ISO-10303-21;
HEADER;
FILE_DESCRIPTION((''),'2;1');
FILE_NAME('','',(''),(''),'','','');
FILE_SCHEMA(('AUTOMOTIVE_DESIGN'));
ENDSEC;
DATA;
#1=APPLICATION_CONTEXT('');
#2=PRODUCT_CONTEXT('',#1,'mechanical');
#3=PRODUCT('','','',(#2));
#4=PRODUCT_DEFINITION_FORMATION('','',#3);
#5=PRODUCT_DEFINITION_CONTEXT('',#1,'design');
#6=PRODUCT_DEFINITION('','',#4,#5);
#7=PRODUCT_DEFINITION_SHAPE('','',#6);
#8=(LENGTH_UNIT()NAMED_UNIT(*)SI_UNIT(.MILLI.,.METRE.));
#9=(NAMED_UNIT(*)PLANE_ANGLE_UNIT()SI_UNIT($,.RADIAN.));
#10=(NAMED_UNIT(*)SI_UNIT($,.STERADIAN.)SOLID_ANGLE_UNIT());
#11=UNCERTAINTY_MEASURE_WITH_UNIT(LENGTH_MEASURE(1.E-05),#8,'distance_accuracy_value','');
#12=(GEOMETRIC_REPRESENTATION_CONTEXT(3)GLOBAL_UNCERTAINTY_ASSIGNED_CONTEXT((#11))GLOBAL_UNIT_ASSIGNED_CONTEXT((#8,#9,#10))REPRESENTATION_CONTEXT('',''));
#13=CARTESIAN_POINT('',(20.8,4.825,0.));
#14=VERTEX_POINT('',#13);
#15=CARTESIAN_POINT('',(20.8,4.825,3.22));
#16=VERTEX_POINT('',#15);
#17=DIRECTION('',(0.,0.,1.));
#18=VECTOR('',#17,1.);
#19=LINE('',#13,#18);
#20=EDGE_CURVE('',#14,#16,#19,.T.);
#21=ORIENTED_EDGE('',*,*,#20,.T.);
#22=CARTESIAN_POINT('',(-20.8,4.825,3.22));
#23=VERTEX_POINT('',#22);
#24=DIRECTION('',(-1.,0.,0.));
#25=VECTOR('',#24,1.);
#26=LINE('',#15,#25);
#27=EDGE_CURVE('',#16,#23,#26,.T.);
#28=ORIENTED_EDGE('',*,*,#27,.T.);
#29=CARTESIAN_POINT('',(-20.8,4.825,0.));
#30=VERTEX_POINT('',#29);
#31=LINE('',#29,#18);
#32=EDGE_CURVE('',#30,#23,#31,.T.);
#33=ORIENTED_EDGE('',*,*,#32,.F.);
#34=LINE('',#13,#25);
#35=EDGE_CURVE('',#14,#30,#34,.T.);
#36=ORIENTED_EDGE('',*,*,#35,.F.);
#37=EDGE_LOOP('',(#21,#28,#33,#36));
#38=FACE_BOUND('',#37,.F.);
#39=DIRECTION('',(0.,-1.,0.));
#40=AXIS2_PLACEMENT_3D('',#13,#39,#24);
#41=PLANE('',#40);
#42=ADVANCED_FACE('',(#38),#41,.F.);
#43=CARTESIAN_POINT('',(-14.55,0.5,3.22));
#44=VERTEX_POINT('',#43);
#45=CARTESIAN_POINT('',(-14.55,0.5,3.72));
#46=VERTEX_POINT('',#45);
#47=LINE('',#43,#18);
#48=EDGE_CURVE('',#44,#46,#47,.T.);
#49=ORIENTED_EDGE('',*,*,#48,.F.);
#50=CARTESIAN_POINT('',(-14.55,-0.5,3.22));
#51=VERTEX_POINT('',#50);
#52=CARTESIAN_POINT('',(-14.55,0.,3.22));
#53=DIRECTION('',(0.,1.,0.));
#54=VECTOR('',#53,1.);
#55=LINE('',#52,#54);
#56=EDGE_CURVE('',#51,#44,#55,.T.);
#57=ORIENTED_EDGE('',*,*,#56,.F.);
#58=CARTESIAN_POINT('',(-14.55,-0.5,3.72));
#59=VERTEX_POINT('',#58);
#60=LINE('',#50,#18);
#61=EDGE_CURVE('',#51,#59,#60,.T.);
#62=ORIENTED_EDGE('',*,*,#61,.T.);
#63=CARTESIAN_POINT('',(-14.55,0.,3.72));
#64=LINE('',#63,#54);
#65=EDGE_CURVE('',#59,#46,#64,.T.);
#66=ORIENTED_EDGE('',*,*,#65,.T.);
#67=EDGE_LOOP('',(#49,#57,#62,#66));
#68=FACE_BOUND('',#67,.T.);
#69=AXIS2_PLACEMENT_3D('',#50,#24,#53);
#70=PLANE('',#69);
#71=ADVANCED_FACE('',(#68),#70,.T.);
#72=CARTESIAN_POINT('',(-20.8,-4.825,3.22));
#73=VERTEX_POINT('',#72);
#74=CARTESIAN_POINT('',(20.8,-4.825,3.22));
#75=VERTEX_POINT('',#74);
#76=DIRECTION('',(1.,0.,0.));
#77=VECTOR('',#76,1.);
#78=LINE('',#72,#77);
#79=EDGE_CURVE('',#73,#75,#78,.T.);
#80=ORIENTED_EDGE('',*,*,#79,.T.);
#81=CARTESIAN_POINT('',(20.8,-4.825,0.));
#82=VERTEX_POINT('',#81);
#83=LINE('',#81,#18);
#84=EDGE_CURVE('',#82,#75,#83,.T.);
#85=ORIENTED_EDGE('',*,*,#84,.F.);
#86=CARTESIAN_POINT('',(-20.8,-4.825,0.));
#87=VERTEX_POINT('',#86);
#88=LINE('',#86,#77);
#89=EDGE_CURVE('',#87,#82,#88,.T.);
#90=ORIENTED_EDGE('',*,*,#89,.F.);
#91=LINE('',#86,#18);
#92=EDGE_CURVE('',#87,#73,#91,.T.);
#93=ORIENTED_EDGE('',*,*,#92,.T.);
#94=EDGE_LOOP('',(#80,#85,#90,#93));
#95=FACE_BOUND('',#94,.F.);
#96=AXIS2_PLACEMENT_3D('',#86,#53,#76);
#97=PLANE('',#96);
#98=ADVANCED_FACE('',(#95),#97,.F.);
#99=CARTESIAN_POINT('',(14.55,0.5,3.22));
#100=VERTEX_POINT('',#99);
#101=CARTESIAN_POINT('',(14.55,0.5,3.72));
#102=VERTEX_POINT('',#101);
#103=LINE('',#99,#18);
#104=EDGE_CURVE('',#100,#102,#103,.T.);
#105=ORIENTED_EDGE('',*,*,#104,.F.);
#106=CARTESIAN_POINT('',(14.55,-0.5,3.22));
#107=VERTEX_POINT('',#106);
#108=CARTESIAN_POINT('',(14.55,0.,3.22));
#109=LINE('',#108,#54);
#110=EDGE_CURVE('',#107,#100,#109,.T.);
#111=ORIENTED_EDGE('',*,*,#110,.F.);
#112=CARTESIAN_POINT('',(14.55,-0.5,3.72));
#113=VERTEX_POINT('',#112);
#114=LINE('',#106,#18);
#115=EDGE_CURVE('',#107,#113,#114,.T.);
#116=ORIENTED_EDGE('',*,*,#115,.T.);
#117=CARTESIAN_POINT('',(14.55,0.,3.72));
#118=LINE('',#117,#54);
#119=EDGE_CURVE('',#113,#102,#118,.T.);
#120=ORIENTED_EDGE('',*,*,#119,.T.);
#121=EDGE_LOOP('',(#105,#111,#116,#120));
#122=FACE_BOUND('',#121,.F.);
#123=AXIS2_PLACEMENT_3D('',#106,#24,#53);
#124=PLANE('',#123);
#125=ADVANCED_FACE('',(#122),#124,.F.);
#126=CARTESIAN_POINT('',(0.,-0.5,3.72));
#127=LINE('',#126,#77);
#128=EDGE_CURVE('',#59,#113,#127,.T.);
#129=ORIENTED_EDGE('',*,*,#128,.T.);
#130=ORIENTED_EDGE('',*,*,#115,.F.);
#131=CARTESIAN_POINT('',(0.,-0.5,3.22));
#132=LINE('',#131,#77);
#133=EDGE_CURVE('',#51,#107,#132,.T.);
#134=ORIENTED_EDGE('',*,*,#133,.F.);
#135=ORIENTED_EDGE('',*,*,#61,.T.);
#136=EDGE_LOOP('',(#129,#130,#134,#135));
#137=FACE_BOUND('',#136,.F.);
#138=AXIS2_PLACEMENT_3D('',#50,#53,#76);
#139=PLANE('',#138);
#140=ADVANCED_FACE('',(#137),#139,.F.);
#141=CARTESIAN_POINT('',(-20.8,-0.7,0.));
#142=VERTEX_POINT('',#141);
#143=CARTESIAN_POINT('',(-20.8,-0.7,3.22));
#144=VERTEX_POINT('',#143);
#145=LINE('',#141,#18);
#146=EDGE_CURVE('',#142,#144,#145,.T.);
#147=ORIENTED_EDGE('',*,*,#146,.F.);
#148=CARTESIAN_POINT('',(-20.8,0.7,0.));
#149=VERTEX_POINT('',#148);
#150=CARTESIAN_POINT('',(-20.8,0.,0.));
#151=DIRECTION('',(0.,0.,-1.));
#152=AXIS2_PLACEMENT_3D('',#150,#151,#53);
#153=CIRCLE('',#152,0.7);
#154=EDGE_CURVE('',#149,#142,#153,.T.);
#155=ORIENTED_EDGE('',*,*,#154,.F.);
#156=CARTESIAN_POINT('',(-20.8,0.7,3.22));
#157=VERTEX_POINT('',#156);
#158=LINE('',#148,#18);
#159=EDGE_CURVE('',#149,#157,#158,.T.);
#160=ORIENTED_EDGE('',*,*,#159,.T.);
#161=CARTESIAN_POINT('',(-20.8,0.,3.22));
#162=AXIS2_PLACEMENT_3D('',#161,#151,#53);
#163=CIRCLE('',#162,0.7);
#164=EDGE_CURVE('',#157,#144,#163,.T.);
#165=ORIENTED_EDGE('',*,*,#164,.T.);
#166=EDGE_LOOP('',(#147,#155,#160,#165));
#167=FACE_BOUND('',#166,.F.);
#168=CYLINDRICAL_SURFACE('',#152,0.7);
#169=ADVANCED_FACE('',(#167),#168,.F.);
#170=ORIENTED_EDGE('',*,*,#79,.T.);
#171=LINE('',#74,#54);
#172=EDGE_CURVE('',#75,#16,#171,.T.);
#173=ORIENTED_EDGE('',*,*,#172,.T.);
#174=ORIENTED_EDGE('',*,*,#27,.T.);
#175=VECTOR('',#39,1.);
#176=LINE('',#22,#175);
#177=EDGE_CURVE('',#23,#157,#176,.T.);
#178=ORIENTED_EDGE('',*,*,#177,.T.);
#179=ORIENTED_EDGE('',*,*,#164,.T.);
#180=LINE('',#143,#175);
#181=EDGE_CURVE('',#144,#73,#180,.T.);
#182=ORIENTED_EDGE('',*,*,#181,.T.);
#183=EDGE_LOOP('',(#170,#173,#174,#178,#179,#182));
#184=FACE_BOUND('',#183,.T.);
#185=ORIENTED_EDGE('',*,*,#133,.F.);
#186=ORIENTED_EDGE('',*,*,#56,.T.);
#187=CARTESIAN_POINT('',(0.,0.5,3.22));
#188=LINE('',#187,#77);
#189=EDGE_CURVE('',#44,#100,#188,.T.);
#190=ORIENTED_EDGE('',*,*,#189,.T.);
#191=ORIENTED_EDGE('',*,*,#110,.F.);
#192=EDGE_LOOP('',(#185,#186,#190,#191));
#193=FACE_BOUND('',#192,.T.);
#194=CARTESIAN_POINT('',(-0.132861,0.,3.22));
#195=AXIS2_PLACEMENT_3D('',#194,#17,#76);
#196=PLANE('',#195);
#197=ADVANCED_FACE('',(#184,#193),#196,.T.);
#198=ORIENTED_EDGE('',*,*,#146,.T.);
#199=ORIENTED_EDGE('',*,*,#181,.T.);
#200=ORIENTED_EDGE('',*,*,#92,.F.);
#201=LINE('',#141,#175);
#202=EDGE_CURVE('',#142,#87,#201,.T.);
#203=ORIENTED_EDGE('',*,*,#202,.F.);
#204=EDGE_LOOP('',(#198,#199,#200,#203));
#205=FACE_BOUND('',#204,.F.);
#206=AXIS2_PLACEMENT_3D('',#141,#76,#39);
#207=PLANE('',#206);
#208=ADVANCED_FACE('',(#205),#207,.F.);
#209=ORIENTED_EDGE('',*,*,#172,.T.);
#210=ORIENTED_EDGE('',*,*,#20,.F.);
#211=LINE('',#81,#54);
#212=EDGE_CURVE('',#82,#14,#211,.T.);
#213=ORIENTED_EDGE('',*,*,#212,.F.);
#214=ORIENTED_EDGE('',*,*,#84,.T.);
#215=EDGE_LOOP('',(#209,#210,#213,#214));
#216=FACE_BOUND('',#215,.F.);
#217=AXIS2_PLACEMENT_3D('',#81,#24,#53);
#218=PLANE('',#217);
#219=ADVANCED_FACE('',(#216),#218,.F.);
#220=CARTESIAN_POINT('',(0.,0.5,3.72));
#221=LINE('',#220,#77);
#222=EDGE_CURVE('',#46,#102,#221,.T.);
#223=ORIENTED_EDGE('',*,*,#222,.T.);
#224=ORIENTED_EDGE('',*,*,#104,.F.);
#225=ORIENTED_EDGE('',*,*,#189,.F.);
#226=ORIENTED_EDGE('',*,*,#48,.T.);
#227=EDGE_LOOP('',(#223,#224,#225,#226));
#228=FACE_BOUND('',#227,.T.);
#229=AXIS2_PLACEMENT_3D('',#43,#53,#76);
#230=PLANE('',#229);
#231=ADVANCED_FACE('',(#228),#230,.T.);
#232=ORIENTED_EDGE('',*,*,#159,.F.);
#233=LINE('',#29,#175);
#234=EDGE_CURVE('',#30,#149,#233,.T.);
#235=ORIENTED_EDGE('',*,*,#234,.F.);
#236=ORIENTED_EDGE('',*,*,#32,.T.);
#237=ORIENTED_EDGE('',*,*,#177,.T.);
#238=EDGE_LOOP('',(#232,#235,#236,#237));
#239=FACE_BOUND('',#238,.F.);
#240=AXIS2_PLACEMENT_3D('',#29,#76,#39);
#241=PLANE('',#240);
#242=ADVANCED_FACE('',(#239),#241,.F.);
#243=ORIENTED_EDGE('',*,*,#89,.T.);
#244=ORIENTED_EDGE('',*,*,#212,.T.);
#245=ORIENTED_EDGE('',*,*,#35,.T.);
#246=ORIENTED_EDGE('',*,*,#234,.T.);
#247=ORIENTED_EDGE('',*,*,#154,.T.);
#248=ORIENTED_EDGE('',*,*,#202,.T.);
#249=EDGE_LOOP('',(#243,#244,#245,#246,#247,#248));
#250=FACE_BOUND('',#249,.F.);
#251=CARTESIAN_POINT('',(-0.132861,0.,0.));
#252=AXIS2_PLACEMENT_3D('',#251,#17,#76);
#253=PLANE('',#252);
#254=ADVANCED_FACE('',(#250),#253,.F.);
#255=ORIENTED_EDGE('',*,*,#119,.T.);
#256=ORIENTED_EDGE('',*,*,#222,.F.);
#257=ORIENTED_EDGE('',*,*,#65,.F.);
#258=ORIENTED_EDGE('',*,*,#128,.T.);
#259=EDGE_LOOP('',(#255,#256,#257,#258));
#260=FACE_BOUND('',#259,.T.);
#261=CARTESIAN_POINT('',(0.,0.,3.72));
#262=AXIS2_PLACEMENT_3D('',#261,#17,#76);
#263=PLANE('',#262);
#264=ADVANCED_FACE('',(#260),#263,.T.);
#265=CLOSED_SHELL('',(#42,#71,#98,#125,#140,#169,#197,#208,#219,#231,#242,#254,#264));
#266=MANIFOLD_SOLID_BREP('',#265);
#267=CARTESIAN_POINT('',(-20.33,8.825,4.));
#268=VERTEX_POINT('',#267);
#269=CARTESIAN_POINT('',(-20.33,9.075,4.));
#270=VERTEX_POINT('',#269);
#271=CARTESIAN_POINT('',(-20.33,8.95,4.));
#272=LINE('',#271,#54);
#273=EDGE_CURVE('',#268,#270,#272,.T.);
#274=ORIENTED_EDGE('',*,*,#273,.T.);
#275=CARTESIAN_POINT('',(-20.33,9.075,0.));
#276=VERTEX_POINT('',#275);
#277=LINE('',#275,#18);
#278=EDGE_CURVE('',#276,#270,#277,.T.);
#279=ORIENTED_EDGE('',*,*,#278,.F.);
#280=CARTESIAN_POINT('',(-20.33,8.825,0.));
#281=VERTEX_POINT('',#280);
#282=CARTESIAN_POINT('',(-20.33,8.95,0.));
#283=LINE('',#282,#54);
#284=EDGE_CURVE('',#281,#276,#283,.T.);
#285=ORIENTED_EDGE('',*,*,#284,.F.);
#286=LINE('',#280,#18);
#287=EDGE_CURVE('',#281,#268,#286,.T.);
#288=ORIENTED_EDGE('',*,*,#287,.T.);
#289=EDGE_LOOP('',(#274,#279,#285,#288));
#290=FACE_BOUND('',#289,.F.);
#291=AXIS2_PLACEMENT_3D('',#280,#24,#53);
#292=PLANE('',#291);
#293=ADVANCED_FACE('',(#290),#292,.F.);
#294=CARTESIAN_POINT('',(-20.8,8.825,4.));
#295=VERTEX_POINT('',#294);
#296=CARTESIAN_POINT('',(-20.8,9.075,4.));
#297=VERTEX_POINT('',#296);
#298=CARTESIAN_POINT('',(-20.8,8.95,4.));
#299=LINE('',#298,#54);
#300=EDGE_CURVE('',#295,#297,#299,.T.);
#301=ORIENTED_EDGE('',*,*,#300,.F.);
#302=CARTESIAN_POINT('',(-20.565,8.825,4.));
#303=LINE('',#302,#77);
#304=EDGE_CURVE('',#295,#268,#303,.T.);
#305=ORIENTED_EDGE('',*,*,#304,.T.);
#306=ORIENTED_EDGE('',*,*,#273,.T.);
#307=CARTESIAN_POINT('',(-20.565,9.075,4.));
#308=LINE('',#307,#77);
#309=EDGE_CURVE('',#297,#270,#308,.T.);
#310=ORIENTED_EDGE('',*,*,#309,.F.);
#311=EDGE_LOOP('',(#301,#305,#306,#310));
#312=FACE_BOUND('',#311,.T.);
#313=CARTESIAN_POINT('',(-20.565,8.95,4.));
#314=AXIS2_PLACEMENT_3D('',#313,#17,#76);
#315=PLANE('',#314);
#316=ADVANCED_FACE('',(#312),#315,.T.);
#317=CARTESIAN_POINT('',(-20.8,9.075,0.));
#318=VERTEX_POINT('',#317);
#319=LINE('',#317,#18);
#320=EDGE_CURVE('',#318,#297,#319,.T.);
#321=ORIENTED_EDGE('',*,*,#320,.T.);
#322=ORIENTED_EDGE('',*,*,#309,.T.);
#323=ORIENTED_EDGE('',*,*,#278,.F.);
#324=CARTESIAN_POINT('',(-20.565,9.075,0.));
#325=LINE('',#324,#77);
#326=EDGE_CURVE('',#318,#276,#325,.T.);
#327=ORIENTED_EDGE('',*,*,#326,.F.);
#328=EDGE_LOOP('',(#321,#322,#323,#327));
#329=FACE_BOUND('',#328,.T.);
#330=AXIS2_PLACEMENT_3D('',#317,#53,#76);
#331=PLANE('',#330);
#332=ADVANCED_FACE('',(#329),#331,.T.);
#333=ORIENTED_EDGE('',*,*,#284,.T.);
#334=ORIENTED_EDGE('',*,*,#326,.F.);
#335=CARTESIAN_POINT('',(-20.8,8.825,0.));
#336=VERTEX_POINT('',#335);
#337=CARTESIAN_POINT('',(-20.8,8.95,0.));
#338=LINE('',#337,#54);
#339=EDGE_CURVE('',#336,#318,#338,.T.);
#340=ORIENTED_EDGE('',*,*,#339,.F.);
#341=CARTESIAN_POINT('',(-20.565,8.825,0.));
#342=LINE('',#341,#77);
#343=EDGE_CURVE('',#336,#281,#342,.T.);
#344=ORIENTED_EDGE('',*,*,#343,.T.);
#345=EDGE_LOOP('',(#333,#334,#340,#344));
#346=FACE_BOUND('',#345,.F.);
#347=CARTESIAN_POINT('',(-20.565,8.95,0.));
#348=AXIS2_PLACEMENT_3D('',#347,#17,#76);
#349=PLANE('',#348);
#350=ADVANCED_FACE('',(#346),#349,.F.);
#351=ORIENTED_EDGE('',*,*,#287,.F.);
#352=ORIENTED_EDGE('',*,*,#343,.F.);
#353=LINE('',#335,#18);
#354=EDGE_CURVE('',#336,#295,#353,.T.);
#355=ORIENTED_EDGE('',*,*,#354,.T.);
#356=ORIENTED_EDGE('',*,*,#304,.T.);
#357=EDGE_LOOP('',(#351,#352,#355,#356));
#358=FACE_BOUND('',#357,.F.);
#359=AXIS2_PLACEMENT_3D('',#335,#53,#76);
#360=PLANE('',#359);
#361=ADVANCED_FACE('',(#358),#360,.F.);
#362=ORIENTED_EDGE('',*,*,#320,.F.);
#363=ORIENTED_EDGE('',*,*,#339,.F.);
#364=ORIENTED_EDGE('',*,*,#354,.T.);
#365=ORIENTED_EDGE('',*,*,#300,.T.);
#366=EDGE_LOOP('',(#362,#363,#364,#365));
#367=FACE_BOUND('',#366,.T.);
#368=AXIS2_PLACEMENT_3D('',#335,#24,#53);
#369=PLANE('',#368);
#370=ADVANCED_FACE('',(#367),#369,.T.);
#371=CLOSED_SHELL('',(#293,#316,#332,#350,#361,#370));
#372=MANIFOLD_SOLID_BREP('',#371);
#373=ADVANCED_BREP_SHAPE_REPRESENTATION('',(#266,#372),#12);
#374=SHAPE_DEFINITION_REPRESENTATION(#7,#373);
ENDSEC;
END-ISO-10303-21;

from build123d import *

# Parameters (mm, degrees)
F1_DEPTH = 3.22
F2_W     = 0.47
F2_H     = 0.25
F3_DEPTH = 4
F4_W     = 29.1
F4_H     = 1
F5_DEPTH = 0.5


with BuildPart() as f1:
    # F0 (on Top) → F1 (new body)
    with BuildSketch(Plane.XY):
        with BuildLine():
            Line((20.8, 4.825), (-20.8, 4.825))
            Line((-20.8, 4.825), (-20.8, 0.7))
            ThreePointArc((-20.8, 0.7), (-20.1, 0), (-20.8, -0.7))
            Line((-20.8, -0.7), (-20.8, -4.825))
            Line((-20.8, -4.825), (20.8, -4.825))
            Line((20.8, -4.825), (20.8, 4.825))
        make_face()
    extrude(amount=F1_DEPTH)

    # F4 (on face) → F5 (join)
    with BuildSketch(Plane.XY.offset(3.22)):
        Rectangle(F4_W, F4_H)
    extrude(amount=F5_DEPTH)


with BuildPart() as f3:
    # F2 (on Top) → F3 (new body)
    with BuildSketch(Plane.XY):
        with Locations((-20.565, 8.95)):
            Rectangle(F2_W, F2_H)
    extrude(amount=F3_DEPTH)


solid = Compound([f1.part, f3.part])
